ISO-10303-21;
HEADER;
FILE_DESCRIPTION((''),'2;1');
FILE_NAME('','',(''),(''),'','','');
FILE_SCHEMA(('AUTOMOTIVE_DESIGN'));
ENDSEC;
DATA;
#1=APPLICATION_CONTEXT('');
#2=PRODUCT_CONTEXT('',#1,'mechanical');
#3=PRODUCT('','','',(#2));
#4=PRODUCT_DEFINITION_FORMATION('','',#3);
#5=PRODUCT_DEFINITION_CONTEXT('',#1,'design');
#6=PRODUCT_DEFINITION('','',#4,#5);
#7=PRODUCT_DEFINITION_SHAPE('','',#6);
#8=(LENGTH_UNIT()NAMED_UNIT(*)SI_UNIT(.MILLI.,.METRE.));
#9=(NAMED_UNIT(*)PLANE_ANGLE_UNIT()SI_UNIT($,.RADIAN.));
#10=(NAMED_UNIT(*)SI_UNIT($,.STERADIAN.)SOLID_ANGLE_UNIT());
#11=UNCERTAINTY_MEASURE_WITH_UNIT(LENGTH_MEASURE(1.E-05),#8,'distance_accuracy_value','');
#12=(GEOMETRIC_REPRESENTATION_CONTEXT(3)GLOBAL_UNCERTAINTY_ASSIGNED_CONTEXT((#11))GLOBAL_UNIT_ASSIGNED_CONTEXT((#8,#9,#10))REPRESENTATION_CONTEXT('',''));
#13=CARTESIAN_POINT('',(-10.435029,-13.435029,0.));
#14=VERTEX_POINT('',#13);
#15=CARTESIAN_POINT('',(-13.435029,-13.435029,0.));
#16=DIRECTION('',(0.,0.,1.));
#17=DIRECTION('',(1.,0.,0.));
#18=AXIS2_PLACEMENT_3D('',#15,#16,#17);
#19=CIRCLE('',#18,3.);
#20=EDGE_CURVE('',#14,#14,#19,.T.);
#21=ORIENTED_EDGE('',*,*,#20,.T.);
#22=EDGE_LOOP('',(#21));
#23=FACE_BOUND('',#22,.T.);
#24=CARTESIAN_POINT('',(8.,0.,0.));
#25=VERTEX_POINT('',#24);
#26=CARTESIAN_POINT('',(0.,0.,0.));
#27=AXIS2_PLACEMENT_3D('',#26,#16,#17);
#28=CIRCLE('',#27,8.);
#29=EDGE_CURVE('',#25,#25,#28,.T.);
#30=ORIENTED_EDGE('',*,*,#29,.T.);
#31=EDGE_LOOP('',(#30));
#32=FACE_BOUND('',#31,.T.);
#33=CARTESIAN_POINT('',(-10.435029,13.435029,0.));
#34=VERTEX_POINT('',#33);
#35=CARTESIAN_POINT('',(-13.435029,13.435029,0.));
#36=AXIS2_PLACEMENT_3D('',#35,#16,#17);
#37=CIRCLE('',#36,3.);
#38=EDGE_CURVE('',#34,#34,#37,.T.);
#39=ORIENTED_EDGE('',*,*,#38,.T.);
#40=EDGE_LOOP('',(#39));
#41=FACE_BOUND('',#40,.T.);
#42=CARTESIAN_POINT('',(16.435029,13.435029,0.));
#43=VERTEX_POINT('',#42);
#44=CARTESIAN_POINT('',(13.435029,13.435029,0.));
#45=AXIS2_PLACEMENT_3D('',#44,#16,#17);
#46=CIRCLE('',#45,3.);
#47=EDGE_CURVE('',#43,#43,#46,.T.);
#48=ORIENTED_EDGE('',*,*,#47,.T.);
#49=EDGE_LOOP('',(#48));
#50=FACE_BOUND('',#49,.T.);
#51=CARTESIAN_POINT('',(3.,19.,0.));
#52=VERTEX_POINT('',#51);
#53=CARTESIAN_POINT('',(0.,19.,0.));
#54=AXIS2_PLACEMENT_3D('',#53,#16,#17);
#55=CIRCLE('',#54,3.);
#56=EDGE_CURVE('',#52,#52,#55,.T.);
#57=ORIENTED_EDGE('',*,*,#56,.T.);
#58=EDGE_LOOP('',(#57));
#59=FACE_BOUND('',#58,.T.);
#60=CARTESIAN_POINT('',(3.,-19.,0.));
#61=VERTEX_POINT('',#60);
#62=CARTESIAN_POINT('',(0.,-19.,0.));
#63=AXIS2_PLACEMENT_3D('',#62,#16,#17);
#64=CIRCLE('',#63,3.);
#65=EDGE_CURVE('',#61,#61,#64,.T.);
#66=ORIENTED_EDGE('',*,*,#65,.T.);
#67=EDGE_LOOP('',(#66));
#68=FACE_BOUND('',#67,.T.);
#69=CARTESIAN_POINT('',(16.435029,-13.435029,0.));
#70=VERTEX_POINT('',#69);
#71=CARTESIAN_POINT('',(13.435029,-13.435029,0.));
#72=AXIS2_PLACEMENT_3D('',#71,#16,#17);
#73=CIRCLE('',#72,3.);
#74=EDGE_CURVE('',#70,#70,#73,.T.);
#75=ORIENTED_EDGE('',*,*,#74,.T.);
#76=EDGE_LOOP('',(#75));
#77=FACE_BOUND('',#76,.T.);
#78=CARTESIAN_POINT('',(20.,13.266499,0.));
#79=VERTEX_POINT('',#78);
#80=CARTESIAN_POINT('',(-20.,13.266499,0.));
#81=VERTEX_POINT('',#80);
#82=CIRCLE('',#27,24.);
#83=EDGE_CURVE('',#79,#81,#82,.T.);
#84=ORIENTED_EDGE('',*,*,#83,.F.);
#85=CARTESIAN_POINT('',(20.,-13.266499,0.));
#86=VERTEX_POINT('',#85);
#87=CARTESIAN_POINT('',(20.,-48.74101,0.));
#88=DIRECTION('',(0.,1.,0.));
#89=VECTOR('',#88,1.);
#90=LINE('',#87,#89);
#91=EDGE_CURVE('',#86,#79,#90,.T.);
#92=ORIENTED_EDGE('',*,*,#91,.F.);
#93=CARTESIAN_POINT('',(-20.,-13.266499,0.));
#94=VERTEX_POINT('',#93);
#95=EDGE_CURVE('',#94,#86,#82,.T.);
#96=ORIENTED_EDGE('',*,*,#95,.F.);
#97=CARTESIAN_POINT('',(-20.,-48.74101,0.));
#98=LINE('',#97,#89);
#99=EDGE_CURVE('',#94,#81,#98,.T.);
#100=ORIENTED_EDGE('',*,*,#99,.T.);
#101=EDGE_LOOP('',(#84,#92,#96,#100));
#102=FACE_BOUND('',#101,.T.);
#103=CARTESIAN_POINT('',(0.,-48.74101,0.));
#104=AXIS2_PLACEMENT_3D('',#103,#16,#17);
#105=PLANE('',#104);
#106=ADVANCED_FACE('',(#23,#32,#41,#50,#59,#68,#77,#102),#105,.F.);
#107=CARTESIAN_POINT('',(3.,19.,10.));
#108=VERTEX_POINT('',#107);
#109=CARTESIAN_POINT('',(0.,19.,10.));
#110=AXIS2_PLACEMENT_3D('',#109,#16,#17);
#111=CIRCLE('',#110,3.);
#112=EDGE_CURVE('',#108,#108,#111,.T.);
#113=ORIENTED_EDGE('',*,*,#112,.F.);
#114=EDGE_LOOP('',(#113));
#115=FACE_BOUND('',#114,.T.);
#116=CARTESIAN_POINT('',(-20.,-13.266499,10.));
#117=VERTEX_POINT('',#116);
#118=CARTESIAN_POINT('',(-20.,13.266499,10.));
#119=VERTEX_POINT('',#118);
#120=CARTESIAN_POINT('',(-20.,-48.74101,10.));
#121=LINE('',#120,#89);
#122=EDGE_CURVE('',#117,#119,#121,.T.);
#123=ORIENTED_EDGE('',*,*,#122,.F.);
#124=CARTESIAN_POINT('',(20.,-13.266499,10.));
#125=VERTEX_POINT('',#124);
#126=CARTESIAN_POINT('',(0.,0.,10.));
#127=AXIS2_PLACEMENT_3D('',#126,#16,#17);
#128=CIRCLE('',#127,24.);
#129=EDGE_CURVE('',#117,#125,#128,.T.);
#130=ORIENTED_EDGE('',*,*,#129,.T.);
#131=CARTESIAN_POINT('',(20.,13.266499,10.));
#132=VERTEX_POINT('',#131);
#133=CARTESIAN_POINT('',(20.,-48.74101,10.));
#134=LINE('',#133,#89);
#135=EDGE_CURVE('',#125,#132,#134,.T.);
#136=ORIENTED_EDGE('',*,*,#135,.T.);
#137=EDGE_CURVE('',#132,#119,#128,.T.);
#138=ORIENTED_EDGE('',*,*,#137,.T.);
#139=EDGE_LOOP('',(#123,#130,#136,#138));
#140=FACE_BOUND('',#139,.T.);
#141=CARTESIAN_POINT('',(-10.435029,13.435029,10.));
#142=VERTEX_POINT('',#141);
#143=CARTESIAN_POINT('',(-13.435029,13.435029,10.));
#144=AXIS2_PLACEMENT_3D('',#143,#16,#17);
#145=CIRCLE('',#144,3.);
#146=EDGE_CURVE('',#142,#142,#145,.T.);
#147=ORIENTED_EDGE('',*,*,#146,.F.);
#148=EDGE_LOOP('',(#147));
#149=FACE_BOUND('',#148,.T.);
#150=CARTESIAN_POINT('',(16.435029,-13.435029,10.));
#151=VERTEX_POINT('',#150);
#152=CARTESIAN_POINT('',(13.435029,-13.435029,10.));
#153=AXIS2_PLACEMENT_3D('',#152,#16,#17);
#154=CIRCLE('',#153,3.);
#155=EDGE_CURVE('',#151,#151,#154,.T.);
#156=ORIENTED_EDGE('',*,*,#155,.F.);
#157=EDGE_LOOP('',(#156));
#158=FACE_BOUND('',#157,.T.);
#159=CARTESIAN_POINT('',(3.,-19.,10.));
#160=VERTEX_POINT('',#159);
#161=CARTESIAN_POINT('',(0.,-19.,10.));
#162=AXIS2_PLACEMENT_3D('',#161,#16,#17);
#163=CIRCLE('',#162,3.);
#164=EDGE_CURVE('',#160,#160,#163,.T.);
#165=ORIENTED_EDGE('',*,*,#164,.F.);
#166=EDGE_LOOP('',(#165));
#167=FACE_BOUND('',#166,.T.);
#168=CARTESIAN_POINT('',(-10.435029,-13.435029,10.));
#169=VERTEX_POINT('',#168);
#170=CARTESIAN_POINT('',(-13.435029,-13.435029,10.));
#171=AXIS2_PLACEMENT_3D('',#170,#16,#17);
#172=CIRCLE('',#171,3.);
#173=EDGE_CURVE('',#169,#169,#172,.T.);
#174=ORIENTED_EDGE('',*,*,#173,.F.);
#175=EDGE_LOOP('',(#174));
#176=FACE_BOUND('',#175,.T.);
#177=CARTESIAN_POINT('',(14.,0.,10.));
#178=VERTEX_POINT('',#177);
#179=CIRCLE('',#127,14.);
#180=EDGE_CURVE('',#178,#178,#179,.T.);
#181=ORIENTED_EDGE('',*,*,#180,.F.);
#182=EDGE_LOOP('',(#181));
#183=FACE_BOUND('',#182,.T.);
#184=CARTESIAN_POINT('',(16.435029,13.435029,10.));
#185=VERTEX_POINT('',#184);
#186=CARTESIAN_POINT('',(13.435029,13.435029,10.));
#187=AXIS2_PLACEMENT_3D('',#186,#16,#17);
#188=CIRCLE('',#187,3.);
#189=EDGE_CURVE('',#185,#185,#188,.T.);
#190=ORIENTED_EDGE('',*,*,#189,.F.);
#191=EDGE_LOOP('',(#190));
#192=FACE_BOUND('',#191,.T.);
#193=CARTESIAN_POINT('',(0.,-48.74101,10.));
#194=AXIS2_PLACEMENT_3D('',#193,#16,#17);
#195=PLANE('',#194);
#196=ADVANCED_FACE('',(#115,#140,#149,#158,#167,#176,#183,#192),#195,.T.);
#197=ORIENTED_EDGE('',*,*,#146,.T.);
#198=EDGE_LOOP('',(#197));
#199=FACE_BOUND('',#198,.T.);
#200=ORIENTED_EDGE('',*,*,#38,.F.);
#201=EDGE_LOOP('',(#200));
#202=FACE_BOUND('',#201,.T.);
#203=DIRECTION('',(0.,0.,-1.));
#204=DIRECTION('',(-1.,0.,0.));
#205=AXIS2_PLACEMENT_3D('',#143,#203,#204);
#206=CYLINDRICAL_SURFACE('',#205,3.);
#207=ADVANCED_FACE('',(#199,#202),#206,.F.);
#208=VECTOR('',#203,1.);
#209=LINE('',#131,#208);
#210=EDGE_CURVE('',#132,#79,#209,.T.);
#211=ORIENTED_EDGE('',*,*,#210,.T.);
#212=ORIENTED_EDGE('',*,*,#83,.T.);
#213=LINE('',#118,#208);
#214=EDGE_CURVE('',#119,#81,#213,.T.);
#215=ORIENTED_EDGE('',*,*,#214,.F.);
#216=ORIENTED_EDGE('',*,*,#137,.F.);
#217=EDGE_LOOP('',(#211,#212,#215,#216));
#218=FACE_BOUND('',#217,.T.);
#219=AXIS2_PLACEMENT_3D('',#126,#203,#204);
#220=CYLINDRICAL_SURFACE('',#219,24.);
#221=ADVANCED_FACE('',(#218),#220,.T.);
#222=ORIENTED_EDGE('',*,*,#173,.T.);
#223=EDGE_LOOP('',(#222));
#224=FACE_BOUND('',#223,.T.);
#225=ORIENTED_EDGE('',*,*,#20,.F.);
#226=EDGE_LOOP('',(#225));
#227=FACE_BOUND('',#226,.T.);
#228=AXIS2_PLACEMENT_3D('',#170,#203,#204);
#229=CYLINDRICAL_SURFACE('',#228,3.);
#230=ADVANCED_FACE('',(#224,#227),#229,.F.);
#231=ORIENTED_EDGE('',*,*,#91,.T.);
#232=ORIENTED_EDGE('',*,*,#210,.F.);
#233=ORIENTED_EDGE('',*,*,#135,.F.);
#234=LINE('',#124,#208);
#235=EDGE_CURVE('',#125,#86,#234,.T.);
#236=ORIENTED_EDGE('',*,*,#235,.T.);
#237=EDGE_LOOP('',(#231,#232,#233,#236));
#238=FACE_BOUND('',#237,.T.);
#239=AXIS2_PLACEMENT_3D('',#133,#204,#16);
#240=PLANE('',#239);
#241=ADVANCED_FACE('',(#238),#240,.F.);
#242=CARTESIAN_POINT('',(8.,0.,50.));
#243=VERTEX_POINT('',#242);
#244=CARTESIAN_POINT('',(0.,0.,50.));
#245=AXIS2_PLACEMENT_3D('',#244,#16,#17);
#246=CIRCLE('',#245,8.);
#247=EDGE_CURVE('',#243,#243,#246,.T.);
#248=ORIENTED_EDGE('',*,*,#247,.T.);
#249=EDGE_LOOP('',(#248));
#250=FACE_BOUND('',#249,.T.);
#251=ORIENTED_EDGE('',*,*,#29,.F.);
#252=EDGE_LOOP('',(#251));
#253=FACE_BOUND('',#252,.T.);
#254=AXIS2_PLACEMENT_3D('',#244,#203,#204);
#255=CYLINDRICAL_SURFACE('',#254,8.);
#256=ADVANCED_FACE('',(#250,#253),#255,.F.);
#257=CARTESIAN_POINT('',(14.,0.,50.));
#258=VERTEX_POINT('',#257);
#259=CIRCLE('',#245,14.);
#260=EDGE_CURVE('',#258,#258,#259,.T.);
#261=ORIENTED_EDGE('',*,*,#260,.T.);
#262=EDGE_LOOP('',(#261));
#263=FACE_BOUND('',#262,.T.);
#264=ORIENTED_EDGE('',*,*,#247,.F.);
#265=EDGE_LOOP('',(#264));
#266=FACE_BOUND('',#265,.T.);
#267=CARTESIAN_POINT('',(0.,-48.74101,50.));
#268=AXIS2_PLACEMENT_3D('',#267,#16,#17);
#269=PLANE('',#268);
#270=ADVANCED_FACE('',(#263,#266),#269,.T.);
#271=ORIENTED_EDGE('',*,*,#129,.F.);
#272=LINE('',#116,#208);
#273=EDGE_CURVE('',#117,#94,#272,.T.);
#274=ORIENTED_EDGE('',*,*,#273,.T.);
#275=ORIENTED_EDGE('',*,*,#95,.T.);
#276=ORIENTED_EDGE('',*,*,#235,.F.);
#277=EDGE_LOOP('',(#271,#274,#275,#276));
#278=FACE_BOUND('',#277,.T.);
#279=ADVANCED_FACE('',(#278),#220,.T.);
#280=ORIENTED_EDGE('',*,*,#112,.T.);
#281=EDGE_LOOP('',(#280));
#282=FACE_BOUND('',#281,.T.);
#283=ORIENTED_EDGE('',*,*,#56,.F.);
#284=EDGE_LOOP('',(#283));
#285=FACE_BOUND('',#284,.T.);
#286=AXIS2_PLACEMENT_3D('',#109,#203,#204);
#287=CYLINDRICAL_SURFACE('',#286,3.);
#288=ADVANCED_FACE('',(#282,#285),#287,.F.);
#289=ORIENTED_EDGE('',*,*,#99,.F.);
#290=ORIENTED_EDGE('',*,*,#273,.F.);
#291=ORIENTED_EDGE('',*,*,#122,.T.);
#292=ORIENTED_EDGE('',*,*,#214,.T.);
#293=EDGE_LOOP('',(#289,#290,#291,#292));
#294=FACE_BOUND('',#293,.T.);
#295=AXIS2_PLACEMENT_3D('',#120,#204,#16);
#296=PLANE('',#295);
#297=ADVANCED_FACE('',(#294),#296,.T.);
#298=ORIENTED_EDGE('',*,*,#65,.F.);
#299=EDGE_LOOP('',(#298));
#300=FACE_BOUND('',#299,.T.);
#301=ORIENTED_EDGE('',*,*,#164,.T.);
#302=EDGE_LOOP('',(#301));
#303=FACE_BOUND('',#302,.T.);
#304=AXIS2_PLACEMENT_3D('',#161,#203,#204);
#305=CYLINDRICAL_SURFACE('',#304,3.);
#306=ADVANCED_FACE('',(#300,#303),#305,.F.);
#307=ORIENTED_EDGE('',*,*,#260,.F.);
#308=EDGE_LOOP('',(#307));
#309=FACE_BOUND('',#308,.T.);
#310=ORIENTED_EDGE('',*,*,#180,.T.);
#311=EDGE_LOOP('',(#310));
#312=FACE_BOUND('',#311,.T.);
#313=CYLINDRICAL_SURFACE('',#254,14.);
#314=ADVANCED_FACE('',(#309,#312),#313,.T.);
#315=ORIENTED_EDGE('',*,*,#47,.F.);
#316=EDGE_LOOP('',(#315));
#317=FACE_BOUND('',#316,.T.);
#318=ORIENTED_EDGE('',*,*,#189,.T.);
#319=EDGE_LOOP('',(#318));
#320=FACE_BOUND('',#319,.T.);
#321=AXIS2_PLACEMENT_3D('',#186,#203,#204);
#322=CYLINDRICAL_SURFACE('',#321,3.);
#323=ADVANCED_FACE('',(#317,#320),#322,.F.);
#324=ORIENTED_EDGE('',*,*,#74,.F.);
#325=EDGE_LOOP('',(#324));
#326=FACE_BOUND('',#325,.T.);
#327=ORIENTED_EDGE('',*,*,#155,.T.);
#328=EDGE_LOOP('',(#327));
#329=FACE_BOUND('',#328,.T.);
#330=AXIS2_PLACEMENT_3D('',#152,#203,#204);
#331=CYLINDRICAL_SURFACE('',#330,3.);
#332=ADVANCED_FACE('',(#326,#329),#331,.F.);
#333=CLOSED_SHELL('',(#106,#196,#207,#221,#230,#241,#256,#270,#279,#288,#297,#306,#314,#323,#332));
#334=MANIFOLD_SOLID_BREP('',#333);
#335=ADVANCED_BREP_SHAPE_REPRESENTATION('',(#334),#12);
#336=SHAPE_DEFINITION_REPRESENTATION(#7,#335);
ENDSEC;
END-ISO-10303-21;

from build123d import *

# Parameters (mm, degrees)
SKETCH1_R      = 3
EXTRUDE4_DEPTH = 10
EXTRUDE5_DEPTH = 50


with BuildPart() as part:
    # Sketch1 → Extrude4 (new body)
    with BuildSketch(Plane.XY):
        with BuildLine():
            Line((-20, 13.266499161), (-20, -13.266499161))
            ThreePointArc((-20, -13.266499161), (0, -24), (20, -13.266499161))
            Line((20, -13.266499161), (20, 13.266499161))
            ThreePointArc((20, 13.266499161), (0, 24), (-20, 13.266499161))
        make_face()
        with BuildLine():
            ThreePointArc((-9.899494937, 9.899494937), (-5.357568053, 12.934313455), (0, 14))
            ThreePointArc((0, 14), (5.357568053, 12.934313455), (9.899494937, 9.899494937))
            ThreePointArc((9.899494937, 9.899494937), (14, 0), (9.899494937, -9.899494937))
            ThreePointArc((9.899494937, -9.899494937), (5.357568053, -12.934313455), (0, -14))
            ThreePointArc((0, -14), (-5.357568053, -12.934313455), (-9.899494937, -9.899494937))
            ThreePointArc((-9.899494937, -9.899494937), (-14, 0), (-9.899494937, 9.899494937))
        make_face(mode=Mode.SUBTRACT)
        with Locations((-13.435028843, 13.435028843)):
            Circle(SKETCH1_R, mode=Mode.SUBTRACT)
        with Locations((0, 19)):
            Circle(SKETCH1_R, mode=Mode.SUBTRACT)
        with Locations((13.435028843, 13.435028843)):
            Circle(SKETCH1_R, mode=Mode.SUBTRACT)
        with Locations((-13.435028843, -13.435028843)):
            Circle(SKETCH1_R, mode=Mode.SUBTRACT)
        with Locations((0, -19)):
            Circle(SKETCH1_R, mode=Mode.SUBTRACT)
        with Locations((13.435028843, -13.435028843)):
            Circle(SKETCH1_R, mode=Mode.SUBTRACT)
    extrude(amount=EXTRUDE4_DEPTH)

    # Sketch1<5> → Extrude5 (add)
    with BuildSketch(Plane.XY):
        with BuildLine():
            Line((0, 14), (0, 8))
            ThreePointArc((0, 8), (3.061467459, 7.39103626), (5.656854249, 5.656854249))
            Line((5.656854249, 5.656854249), (9.899494937, 9.899494937))
            ThreePointArc((9.899494937, 9.899494937), (5.357568053, 12.934313455), (0, 14))
        make_face()
        with BuildLine():
            ThreePointArc((-5.656854249, 5.656854249), (-3.061467459, 7.39103626), (0, 8))
            Line((0, 8), (0, 14))
            ThreePointArc((0, 14), (-5.357568053, 12.934313455), (-9.899494937, 9.899494937))
            Line((-9.899494937, 9.899494937), (-5.656854249, 5.656854249))
        make_face()
        with BuildLine():
            Line((9.899494937, 9.899494937), (5.656854249, 5.656854249))
            ThreePointArc((5.656854249, 5.656854249), (7.39103626, 3.061467459), (8, 0))
            Line((8, 0), (14, 0))
            ThreePointArc((14, 0), (12.934313455, 5.357568053), (9.899494937, 9.899494937))
        make_face()
        with BuildLine():
            ThreePointArc((8, 0), (7.39103626, -3.061467459), (5.656854249, -5.656854249))
            Line((5.656854249, -5.656854249), (9.899494937, -9.899494937))
            ThreePointArc((9.899494937, -9.899494937), (12.934313455, -5.357568053), (14, 0))
            Line((14, 0), (8, 0))
        make_face()
        with BuildLine():
            ThreePointArc((5.656854249, -5.656854249), (3.061467459, -7.39103626), (0, -8))
            Line((0, -8), (0, -14))
            ThreePointArc((0, -14), (5.357568053, -12.934313455), (9.899494937, -9.899494937))
            Line((9.899494937, -9.899494937), (5.656854249, -5.656854249))
        make_face()
        with BuildLine():
            Line((0, -14), (0, -8))
            ThreePointArc((0, -8), (-3.061467459, -7.39103626), (-5.656854249, -5.656854249))
            Line((-5.656854249, -5.656854249), (-9.899494937, -9.899494937))
            ThreePointArc((-9.899494937, -9.899494937), (-5.357568053, -12.934313455), (0, -14))
        make_face()
        with BuildLine():
            Line((-9.899494937, -9.899494937), (-5.656854249, -5.656854249))
            ThreePointArc((-5.656854249, -5.656854249), (-7.39103626, -3.061467459), (-8, 0))
            Line((-8, 0), (-14, 0))
            ThreePointArc((-14, 0), (-12.934313455, -5.357568053), (-9.899494937, -9.899494937))
        make_face()
        with BuildLine():
            ThreePointArc((-8, 0), (-7.39103626, 3.061467459), (-5.656854249, 5.656854249))
            Line((-5.656854249, 5.656854249), (-9.899494937, 9.899494937))
            ThreePointArc((-9.899494937, 9.899494937), (-12.934313455, 5.357568053), (-14, 0))
            Line((-14, 0), (-8, 0))
        make_face()
    extrude(amount=EXTRUDE5_DEPTH)


solid = part.part
